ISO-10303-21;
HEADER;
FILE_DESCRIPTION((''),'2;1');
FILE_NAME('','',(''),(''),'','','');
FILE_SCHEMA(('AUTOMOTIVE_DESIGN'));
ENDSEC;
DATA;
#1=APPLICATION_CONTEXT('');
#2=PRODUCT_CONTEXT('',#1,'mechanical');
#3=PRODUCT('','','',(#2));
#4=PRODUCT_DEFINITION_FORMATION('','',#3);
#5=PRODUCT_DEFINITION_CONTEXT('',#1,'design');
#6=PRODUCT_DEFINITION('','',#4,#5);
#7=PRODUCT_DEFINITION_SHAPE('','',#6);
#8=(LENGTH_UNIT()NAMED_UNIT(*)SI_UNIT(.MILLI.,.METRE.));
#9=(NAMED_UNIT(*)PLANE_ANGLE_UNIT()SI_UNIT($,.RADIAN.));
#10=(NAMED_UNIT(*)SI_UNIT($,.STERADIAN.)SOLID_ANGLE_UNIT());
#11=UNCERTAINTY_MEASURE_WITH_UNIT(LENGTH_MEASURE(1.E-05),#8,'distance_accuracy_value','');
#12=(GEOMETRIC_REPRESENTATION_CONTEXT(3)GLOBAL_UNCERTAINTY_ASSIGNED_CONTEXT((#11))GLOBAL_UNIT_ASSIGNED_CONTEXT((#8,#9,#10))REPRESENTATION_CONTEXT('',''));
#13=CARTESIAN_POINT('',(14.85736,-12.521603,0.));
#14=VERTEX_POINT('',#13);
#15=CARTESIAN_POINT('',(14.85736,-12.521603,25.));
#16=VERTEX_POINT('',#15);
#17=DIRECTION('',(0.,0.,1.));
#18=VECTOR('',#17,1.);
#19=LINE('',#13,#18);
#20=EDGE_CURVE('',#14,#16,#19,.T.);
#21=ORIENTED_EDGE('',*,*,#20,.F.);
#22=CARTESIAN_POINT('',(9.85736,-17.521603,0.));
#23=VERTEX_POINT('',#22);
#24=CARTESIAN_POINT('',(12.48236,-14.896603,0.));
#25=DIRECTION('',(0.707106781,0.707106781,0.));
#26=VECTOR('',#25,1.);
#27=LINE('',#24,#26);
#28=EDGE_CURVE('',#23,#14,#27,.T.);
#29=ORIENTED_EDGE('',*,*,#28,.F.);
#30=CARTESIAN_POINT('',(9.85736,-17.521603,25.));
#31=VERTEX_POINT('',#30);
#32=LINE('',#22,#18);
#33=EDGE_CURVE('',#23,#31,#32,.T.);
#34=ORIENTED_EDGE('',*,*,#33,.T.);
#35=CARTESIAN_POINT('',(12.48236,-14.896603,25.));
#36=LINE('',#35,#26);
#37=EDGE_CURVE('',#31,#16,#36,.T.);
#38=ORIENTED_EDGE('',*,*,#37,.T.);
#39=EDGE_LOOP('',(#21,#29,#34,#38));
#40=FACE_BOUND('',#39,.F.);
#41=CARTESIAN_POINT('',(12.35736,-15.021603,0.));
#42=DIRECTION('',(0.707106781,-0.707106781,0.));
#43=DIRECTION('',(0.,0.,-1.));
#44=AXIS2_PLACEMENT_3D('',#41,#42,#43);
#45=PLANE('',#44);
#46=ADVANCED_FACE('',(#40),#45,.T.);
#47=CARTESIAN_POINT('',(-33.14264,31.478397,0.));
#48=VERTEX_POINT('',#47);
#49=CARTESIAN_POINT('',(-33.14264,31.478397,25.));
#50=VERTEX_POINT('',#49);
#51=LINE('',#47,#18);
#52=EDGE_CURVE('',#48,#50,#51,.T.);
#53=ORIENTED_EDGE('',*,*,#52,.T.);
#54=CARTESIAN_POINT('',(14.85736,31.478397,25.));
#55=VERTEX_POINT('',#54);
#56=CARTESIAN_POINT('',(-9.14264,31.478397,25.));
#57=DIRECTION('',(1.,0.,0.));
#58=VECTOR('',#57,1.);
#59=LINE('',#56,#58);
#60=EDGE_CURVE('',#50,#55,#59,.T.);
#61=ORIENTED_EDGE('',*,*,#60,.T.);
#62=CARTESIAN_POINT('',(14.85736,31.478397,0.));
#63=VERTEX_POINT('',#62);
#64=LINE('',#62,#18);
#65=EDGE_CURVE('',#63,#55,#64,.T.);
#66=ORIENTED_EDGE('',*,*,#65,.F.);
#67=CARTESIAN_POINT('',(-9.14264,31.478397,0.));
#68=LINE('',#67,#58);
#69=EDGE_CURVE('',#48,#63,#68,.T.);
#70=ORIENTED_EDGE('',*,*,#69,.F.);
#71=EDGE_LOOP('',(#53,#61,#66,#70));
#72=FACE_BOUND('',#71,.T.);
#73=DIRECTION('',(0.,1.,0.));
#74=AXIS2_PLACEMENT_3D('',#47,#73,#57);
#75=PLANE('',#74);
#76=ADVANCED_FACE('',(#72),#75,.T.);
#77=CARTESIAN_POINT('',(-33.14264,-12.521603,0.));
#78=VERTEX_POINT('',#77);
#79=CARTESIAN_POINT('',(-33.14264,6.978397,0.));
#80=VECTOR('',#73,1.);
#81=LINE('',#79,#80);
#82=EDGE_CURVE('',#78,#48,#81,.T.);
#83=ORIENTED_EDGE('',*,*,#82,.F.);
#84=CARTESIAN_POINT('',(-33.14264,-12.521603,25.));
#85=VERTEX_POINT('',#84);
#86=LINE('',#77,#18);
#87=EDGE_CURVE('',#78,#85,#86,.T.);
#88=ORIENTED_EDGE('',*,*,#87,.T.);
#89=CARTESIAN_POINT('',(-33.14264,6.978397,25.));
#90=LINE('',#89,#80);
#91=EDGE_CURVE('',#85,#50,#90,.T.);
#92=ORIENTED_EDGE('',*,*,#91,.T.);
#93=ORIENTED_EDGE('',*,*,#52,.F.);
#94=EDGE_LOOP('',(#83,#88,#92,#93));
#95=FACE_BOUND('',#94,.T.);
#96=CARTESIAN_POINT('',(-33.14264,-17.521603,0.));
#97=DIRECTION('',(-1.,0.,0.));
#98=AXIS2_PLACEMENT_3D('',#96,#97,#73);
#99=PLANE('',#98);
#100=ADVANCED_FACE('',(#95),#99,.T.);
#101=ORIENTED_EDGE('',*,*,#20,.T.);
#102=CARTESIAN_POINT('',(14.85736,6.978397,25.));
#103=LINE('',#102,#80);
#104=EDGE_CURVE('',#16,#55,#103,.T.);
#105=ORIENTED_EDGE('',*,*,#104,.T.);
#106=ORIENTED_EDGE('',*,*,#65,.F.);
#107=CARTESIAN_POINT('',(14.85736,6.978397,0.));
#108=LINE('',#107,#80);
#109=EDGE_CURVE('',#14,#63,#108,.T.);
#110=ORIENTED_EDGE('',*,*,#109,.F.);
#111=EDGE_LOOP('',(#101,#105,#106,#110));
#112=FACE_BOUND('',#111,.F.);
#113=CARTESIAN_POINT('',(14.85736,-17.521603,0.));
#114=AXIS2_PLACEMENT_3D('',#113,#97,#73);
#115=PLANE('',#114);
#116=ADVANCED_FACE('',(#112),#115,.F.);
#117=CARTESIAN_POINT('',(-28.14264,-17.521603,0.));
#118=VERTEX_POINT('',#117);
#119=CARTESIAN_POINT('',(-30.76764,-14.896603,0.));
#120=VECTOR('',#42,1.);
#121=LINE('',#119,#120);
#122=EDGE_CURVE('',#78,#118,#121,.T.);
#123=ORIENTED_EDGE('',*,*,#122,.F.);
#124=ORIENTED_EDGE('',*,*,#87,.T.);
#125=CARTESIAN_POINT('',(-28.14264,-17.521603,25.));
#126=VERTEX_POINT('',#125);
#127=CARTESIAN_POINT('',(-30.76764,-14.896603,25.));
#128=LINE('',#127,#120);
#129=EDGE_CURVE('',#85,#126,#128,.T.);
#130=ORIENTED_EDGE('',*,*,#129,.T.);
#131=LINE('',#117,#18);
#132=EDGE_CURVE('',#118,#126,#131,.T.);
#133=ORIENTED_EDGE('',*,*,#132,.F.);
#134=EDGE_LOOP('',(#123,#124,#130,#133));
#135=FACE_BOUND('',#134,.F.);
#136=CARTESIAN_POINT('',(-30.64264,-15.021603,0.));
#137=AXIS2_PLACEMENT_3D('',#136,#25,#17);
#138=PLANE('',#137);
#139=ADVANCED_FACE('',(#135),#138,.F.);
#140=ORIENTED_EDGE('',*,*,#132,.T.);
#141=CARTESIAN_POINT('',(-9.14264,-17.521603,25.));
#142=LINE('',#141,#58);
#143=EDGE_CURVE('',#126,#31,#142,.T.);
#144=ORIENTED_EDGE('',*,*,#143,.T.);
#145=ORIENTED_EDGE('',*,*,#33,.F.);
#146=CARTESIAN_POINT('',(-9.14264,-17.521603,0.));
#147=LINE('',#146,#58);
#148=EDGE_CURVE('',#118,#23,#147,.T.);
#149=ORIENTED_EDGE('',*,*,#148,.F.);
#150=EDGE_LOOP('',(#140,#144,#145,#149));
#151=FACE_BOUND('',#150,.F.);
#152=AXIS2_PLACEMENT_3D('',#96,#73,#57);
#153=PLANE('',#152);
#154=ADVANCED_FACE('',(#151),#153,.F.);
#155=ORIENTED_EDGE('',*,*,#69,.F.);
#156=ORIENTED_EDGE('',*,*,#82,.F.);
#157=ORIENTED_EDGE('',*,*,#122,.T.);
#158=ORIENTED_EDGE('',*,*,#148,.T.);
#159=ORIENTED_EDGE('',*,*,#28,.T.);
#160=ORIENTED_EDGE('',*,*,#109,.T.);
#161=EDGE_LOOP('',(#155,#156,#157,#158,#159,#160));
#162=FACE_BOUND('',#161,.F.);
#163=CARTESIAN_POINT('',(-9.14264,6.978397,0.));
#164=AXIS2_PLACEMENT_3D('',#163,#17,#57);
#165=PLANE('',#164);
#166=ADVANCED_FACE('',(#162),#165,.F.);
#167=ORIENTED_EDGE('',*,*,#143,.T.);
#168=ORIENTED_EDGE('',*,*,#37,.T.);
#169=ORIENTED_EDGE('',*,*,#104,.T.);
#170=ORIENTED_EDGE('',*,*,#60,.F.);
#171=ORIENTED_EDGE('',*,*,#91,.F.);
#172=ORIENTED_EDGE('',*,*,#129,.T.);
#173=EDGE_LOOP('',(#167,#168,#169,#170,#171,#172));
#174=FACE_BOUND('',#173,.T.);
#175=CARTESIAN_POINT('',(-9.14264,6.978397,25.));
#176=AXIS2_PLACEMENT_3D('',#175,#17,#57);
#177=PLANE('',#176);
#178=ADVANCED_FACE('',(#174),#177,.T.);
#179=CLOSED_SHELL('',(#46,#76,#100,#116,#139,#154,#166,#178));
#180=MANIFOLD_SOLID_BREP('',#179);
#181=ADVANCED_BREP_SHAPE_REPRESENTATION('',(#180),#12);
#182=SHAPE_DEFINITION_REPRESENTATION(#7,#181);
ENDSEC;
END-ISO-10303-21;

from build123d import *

# Parameters (mm, degrees)
F0_W     = 48
F0_H     = 49
F1_DEPTH = 25
F2_SIZE  = 5


with BuildPart() as f1:
    # F0 (on Top) → F1 (new body)
    with BuildSketch(Plane.XY):
        with Locations((-9.14264, 6.978397)):
            Rectangle(F0_W, F0_H)
    extrude(amount=F1_DEPTH)

    # F2
    f2_edges = [f1.edges().sort_by_distance(p)[0] for p in [
        (-33.14264, -17.521603, 12.5),
        (14.85736, -17.521603, 12.5),
    ]]
    chamfer(f2_edges, length=F2_SIZE)


solid = f1.part
